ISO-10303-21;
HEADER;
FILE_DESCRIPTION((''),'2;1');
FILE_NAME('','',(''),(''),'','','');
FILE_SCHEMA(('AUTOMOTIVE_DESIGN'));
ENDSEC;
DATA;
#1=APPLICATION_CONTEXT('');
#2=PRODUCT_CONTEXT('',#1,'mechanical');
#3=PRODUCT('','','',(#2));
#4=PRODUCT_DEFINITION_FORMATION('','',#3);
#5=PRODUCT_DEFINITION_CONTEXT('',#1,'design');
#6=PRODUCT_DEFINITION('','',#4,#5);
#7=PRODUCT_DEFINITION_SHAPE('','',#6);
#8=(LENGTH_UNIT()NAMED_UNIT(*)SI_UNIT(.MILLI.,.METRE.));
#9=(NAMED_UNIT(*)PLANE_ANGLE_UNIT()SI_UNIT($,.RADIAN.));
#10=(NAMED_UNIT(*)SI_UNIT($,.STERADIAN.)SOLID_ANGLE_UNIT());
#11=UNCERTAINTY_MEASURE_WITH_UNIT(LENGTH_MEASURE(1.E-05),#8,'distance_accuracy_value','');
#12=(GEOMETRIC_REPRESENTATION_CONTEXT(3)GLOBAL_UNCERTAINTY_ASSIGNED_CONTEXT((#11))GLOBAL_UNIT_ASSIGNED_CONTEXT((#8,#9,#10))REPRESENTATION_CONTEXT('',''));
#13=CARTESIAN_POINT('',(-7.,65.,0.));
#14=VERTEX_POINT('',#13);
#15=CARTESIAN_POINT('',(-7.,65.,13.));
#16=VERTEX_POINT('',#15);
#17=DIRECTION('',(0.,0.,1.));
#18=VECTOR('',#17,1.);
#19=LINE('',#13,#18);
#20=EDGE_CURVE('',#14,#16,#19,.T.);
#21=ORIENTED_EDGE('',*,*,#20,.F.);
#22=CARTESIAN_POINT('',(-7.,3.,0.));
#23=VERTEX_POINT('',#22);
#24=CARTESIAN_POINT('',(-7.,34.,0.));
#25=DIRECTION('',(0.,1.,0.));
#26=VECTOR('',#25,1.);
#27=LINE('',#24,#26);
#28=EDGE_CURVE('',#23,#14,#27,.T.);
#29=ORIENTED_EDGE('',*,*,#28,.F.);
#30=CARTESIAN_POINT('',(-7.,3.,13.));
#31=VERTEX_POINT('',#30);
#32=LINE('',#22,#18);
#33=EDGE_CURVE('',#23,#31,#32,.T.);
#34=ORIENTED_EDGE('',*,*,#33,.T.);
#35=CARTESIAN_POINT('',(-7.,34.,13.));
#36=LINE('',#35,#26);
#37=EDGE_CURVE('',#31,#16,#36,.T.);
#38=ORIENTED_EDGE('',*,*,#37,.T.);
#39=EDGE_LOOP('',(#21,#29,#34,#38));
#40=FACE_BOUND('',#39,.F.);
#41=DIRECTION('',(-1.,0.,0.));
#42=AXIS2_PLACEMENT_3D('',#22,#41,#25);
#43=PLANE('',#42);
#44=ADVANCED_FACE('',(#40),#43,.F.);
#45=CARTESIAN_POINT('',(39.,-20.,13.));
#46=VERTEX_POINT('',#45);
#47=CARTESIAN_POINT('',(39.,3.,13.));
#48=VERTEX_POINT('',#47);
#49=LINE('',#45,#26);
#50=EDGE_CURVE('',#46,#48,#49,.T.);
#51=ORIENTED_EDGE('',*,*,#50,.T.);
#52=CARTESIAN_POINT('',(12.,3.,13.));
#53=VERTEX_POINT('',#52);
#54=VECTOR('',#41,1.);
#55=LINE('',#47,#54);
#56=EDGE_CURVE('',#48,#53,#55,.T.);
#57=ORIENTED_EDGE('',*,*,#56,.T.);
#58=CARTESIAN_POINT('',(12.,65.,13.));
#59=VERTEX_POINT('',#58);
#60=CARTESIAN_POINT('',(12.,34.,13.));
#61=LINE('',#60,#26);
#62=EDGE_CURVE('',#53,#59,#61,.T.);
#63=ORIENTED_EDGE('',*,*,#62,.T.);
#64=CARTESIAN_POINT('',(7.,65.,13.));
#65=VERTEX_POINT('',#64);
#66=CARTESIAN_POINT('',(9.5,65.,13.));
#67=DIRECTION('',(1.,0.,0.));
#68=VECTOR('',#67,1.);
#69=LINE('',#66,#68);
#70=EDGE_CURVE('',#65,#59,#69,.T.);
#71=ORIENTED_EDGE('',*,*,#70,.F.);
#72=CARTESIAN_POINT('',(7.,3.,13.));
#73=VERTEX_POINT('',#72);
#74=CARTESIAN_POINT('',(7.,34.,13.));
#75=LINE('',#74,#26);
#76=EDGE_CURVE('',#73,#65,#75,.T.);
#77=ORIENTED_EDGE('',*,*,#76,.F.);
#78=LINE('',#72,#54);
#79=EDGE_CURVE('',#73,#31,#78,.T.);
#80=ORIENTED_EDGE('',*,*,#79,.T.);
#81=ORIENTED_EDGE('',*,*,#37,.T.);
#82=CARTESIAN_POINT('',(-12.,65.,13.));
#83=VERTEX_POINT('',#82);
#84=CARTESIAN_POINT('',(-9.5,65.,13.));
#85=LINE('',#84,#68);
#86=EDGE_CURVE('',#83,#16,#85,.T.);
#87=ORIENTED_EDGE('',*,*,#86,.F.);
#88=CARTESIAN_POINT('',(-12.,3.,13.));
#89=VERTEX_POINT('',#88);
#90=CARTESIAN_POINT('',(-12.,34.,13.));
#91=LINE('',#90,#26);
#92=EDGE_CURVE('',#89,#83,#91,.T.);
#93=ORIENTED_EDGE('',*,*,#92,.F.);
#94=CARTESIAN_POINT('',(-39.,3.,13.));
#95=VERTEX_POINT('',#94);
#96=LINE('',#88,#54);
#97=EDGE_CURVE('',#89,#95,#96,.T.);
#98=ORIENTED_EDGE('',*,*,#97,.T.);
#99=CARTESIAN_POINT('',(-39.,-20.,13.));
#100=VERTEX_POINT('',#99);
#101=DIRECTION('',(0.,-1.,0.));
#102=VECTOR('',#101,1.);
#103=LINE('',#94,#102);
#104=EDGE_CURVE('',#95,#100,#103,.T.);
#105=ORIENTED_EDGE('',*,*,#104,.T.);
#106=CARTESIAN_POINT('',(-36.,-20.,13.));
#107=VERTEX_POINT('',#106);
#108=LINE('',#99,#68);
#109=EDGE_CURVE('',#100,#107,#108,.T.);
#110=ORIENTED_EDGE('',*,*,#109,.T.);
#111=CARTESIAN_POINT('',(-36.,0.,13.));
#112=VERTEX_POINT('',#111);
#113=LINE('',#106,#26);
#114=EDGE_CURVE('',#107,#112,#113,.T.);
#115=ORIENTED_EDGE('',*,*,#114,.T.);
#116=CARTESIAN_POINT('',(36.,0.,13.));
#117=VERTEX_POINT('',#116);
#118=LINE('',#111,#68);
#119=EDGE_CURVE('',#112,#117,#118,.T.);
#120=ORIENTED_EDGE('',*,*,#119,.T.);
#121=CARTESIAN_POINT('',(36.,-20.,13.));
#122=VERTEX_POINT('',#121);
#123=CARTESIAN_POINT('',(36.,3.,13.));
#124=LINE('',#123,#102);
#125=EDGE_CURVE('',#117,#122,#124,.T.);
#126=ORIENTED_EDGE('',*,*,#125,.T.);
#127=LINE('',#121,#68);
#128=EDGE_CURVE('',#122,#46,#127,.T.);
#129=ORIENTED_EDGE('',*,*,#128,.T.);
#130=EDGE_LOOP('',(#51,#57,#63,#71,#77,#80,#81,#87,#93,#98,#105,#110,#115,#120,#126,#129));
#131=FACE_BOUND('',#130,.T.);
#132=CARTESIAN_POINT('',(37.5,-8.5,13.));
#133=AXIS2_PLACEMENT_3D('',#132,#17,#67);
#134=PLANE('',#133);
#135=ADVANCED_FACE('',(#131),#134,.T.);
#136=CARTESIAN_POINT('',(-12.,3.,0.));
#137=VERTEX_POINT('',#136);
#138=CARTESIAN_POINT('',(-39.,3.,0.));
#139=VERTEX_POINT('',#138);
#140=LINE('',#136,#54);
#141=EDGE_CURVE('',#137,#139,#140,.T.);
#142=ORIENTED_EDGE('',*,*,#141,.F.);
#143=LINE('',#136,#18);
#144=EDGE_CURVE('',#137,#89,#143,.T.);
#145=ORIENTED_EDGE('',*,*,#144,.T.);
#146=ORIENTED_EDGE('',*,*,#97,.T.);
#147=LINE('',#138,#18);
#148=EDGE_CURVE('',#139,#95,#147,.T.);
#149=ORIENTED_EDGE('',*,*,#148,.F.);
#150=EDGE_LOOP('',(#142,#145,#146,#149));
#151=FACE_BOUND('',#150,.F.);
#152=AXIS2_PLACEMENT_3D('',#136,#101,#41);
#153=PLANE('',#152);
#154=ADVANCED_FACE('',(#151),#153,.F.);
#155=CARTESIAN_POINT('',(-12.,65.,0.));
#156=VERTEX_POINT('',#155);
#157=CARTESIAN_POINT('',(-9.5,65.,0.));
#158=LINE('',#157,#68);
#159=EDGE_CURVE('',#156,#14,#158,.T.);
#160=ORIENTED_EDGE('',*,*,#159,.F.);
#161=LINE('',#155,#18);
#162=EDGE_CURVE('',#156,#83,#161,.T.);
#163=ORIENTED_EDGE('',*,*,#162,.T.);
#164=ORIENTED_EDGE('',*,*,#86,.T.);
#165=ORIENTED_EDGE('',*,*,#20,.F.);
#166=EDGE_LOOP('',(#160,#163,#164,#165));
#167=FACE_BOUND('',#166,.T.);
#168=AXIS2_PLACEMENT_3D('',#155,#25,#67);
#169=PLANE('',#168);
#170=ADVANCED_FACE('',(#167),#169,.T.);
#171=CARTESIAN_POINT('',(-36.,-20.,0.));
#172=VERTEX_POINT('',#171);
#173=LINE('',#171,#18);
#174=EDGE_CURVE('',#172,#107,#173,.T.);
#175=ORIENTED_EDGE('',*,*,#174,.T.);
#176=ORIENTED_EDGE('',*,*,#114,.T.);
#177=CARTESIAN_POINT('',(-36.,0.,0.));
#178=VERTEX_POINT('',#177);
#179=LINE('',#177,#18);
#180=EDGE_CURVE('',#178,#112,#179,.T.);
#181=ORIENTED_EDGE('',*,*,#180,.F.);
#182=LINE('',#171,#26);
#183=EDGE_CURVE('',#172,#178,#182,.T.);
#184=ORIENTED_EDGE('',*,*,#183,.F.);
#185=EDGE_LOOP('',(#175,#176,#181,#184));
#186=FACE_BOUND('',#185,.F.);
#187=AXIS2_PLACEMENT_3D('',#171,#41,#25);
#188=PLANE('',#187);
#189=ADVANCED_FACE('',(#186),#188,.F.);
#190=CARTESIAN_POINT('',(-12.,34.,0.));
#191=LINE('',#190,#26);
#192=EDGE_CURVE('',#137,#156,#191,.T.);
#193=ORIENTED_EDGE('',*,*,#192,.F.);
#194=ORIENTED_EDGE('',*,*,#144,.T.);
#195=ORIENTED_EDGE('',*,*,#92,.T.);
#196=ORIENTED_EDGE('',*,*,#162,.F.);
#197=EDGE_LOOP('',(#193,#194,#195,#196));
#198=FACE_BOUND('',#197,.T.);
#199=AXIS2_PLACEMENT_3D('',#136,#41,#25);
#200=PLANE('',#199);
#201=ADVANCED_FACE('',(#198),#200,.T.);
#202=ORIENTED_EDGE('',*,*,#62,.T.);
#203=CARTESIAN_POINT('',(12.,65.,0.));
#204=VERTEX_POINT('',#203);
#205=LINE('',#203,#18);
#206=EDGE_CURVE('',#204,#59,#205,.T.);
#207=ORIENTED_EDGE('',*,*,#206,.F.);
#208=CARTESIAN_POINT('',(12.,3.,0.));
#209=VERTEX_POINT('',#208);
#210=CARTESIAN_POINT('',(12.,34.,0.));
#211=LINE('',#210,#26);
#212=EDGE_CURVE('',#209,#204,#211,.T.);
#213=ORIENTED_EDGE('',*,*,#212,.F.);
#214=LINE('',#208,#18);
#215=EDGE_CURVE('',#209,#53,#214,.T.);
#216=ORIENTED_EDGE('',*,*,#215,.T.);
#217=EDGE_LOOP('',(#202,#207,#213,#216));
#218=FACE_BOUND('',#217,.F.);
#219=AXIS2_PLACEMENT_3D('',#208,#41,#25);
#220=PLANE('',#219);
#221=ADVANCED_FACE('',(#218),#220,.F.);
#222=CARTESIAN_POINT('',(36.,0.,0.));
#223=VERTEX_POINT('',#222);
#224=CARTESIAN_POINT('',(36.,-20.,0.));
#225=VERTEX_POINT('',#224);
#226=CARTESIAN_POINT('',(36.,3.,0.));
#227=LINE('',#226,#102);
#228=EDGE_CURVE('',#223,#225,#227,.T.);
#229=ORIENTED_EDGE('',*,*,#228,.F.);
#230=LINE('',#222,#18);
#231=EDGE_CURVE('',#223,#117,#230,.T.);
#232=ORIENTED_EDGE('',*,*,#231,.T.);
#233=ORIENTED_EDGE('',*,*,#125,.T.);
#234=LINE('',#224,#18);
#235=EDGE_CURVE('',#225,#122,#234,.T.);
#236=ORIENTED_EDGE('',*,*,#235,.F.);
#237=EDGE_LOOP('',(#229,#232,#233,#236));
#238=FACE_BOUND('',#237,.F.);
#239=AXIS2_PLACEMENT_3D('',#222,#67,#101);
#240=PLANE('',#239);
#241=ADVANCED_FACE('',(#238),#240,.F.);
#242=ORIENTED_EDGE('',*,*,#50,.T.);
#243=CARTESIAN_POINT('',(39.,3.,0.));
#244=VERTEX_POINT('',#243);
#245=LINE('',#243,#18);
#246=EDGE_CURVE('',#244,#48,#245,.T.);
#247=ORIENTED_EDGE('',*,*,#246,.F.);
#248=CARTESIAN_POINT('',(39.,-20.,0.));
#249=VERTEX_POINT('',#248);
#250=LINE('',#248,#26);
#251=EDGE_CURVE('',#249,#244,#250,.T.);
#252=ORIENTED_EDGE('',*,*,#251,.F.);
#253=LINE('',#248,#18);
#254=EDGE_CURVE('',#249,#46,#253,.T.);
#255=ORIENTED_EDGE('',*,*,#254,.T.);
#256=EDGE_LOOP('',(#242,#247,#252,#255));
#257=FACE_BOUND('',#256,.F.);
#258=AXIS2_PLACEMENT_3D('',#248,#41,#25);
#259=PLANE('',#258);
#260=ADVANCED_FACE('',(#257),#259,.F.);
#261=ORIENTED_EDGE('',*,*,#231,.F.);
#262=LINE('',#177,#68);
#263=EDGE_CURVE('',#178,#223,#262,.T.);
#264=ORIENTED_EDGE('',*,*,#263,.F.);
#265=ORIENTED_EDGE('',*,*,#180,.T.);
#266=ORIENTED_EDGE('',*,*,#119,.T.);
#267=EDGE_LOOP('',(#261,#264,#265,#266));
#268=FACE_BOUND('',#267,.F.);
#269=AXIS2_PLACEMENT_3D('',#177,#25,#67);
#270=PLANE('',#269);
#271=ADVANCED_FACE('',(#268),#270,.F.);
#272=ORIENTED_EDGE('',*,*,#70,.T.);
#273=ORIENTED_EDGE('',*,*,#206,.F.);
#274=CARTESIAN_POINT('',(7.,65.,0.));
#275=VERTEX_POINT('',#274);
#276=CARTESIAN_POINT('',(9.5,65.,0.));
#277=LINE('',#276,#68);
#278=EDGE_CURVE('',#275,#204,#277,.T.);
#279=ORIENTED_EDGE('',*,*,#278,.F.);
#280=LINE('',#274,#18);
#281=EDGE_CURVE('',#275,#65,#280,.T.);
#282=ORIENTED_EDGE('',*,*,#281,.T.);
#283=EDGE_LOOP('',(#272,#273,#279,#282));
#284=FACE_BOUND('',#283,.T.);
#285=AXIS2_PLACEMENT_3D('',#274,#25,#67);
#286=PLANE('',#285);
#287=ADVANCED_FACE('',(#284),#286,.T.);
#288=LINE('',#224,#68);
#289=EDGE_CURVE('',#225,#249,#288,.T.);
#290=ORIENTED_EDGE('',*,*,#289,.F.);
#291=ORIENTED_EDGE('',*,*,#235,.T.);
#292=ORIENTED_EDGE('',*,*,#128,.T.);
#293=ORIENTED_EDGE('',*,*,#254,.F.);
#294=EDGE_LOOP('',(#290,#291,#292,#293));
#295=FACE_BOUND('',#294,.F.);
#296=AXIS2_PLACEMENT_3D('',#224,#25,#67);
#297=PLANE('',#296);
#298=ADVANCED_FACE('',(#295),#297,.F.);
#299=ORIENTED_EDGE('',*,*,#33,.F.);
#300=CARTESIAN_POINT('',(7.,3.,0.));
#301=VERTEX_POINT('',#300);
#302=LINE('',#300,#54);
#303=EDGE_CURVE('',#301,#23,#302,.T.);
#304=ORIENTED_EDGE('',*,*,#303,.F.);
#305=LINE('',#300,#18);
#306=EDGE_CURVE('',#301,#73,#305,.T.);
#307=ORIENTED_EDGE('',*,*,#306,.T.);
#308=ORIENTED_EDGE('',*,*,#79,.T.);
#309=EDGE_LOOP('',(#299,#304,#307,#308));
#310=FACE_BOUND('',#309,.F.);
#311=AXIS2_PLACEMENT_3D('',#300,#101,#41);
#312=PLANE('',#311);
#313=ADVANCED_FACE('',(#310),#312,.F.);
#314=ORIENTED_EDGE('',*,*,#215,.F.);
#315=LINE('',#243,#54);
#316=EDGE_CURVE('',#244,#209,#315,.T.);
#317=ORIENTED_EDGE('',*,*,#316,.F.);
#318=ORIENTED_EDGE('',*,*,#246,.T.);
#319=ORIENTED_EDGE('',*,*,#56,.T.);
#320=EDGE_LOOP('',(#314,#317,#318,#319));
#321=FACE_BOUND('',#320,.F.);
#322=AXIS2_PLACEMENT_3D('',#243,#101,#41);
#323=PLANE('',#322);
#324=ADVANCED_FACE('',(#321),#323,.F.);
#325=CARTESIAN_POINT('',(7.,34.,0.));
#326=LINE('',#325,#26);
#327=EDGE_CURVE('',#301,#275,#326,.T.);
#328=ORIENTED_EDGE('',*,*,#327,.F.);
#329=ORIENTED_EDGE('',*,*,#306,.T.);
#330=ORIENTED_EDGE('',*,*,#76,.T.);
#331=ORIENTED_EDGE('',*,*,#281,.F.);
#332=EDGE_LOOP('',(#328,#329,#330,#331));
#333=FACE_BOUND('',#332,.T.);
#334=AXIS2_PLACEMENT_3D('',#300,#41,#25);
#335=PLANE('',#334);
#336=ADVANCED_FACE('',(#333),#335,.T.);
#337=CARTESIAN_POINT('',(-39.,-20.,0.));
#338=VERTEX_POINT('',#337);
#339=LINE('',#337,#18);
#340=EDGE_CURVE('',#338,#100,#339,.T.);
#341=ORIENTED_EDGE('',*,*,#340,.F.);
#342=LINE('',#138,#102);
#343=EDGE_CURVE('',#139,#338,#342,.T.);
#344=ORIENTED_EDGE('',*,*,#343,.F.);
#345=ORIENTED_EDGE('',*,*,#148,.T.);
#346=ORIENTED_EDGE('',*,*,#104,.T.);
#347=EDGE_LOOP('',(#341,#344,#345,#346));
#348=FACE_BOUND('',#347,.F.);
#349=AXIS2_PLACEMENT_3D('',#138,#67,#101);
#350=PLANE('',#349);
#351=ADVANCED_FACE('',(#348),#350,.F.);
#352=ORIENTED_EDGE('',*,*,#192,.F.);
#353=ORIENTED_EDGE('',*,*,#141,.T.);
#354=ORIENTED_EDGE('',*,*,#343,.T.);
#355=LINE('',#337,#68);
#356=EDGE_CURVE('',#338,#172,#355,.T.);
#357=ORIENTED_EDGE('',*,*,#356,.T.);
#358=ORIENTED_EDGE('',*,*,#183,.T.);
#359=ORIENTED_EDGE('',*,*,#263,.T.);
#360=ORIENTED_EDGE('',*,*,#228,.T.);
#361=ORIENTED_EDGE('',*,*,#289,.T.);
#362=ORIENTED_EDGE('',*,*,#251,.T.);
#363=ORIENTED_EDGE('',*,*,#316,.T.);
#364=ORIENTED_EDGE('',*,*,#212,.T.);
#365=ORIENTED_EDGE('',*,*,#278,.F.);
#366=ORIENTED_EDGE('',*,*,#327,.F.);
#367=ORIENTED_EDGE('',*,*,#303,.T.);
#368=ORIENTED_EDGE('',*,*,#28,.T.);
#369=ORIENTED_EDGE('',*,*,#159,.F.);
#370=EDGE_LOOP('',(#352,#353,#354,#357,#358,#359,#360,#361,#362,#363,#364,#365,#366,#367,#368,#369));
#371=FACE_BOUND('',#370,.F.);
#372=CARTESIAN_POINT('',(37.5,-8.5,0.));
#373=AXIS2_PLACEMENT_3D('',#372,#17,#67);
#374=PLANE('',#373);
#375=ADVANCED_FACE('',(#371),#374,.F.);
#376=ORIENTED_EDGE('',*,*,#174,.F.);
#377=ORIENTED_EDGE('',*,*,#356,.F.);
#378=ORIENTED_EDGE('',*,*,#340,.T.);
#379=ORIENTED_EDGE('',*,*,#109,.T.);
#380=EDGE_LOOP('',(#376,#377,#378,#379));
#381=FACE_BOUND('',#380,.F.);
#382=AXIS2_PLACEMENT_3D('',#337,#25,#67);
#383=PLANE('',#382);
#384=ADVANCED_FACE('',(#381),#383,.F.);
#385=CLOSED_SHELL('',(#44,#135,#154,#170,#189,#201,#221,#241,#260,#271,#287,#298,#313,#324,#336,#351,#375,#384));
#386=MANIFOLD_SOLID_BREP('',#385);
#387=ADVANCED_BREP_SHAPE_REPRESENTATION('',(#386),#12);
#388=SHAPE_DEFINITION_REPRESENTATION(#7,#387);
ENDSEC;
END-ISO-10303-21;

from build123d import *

# Parameters (mm, degrees)
F0_W     = 5
F0_H     = 62
F1_DEPTH = 13


with BuildPart() as f1:
    # F0 (on Top) → F1 (new body)
    with BuildSketch(Plane.XY):
        Polygon((36, 3), (36, 0), (36, -20), (39, -20), (39, 3), align=None)
        with Locations((-9.5, 34)):
            Rectangle(F0_W, F0_H)
        with Locations((9.5, 34)):
            Rectangle(F0_W, F0_H)
        Polygon((-36, 3), (-36, 0), (36, 0), (36, 3), (12, 3), (7, 3), (-7, 3), (-12, 3), align=None)
        Polygon((-36, -20), (-36, 0), (-36, 3), (-39, 3), (-39, -20), align=None)
    extrude(amount=F1_DEPTH)


solid = f1.part
